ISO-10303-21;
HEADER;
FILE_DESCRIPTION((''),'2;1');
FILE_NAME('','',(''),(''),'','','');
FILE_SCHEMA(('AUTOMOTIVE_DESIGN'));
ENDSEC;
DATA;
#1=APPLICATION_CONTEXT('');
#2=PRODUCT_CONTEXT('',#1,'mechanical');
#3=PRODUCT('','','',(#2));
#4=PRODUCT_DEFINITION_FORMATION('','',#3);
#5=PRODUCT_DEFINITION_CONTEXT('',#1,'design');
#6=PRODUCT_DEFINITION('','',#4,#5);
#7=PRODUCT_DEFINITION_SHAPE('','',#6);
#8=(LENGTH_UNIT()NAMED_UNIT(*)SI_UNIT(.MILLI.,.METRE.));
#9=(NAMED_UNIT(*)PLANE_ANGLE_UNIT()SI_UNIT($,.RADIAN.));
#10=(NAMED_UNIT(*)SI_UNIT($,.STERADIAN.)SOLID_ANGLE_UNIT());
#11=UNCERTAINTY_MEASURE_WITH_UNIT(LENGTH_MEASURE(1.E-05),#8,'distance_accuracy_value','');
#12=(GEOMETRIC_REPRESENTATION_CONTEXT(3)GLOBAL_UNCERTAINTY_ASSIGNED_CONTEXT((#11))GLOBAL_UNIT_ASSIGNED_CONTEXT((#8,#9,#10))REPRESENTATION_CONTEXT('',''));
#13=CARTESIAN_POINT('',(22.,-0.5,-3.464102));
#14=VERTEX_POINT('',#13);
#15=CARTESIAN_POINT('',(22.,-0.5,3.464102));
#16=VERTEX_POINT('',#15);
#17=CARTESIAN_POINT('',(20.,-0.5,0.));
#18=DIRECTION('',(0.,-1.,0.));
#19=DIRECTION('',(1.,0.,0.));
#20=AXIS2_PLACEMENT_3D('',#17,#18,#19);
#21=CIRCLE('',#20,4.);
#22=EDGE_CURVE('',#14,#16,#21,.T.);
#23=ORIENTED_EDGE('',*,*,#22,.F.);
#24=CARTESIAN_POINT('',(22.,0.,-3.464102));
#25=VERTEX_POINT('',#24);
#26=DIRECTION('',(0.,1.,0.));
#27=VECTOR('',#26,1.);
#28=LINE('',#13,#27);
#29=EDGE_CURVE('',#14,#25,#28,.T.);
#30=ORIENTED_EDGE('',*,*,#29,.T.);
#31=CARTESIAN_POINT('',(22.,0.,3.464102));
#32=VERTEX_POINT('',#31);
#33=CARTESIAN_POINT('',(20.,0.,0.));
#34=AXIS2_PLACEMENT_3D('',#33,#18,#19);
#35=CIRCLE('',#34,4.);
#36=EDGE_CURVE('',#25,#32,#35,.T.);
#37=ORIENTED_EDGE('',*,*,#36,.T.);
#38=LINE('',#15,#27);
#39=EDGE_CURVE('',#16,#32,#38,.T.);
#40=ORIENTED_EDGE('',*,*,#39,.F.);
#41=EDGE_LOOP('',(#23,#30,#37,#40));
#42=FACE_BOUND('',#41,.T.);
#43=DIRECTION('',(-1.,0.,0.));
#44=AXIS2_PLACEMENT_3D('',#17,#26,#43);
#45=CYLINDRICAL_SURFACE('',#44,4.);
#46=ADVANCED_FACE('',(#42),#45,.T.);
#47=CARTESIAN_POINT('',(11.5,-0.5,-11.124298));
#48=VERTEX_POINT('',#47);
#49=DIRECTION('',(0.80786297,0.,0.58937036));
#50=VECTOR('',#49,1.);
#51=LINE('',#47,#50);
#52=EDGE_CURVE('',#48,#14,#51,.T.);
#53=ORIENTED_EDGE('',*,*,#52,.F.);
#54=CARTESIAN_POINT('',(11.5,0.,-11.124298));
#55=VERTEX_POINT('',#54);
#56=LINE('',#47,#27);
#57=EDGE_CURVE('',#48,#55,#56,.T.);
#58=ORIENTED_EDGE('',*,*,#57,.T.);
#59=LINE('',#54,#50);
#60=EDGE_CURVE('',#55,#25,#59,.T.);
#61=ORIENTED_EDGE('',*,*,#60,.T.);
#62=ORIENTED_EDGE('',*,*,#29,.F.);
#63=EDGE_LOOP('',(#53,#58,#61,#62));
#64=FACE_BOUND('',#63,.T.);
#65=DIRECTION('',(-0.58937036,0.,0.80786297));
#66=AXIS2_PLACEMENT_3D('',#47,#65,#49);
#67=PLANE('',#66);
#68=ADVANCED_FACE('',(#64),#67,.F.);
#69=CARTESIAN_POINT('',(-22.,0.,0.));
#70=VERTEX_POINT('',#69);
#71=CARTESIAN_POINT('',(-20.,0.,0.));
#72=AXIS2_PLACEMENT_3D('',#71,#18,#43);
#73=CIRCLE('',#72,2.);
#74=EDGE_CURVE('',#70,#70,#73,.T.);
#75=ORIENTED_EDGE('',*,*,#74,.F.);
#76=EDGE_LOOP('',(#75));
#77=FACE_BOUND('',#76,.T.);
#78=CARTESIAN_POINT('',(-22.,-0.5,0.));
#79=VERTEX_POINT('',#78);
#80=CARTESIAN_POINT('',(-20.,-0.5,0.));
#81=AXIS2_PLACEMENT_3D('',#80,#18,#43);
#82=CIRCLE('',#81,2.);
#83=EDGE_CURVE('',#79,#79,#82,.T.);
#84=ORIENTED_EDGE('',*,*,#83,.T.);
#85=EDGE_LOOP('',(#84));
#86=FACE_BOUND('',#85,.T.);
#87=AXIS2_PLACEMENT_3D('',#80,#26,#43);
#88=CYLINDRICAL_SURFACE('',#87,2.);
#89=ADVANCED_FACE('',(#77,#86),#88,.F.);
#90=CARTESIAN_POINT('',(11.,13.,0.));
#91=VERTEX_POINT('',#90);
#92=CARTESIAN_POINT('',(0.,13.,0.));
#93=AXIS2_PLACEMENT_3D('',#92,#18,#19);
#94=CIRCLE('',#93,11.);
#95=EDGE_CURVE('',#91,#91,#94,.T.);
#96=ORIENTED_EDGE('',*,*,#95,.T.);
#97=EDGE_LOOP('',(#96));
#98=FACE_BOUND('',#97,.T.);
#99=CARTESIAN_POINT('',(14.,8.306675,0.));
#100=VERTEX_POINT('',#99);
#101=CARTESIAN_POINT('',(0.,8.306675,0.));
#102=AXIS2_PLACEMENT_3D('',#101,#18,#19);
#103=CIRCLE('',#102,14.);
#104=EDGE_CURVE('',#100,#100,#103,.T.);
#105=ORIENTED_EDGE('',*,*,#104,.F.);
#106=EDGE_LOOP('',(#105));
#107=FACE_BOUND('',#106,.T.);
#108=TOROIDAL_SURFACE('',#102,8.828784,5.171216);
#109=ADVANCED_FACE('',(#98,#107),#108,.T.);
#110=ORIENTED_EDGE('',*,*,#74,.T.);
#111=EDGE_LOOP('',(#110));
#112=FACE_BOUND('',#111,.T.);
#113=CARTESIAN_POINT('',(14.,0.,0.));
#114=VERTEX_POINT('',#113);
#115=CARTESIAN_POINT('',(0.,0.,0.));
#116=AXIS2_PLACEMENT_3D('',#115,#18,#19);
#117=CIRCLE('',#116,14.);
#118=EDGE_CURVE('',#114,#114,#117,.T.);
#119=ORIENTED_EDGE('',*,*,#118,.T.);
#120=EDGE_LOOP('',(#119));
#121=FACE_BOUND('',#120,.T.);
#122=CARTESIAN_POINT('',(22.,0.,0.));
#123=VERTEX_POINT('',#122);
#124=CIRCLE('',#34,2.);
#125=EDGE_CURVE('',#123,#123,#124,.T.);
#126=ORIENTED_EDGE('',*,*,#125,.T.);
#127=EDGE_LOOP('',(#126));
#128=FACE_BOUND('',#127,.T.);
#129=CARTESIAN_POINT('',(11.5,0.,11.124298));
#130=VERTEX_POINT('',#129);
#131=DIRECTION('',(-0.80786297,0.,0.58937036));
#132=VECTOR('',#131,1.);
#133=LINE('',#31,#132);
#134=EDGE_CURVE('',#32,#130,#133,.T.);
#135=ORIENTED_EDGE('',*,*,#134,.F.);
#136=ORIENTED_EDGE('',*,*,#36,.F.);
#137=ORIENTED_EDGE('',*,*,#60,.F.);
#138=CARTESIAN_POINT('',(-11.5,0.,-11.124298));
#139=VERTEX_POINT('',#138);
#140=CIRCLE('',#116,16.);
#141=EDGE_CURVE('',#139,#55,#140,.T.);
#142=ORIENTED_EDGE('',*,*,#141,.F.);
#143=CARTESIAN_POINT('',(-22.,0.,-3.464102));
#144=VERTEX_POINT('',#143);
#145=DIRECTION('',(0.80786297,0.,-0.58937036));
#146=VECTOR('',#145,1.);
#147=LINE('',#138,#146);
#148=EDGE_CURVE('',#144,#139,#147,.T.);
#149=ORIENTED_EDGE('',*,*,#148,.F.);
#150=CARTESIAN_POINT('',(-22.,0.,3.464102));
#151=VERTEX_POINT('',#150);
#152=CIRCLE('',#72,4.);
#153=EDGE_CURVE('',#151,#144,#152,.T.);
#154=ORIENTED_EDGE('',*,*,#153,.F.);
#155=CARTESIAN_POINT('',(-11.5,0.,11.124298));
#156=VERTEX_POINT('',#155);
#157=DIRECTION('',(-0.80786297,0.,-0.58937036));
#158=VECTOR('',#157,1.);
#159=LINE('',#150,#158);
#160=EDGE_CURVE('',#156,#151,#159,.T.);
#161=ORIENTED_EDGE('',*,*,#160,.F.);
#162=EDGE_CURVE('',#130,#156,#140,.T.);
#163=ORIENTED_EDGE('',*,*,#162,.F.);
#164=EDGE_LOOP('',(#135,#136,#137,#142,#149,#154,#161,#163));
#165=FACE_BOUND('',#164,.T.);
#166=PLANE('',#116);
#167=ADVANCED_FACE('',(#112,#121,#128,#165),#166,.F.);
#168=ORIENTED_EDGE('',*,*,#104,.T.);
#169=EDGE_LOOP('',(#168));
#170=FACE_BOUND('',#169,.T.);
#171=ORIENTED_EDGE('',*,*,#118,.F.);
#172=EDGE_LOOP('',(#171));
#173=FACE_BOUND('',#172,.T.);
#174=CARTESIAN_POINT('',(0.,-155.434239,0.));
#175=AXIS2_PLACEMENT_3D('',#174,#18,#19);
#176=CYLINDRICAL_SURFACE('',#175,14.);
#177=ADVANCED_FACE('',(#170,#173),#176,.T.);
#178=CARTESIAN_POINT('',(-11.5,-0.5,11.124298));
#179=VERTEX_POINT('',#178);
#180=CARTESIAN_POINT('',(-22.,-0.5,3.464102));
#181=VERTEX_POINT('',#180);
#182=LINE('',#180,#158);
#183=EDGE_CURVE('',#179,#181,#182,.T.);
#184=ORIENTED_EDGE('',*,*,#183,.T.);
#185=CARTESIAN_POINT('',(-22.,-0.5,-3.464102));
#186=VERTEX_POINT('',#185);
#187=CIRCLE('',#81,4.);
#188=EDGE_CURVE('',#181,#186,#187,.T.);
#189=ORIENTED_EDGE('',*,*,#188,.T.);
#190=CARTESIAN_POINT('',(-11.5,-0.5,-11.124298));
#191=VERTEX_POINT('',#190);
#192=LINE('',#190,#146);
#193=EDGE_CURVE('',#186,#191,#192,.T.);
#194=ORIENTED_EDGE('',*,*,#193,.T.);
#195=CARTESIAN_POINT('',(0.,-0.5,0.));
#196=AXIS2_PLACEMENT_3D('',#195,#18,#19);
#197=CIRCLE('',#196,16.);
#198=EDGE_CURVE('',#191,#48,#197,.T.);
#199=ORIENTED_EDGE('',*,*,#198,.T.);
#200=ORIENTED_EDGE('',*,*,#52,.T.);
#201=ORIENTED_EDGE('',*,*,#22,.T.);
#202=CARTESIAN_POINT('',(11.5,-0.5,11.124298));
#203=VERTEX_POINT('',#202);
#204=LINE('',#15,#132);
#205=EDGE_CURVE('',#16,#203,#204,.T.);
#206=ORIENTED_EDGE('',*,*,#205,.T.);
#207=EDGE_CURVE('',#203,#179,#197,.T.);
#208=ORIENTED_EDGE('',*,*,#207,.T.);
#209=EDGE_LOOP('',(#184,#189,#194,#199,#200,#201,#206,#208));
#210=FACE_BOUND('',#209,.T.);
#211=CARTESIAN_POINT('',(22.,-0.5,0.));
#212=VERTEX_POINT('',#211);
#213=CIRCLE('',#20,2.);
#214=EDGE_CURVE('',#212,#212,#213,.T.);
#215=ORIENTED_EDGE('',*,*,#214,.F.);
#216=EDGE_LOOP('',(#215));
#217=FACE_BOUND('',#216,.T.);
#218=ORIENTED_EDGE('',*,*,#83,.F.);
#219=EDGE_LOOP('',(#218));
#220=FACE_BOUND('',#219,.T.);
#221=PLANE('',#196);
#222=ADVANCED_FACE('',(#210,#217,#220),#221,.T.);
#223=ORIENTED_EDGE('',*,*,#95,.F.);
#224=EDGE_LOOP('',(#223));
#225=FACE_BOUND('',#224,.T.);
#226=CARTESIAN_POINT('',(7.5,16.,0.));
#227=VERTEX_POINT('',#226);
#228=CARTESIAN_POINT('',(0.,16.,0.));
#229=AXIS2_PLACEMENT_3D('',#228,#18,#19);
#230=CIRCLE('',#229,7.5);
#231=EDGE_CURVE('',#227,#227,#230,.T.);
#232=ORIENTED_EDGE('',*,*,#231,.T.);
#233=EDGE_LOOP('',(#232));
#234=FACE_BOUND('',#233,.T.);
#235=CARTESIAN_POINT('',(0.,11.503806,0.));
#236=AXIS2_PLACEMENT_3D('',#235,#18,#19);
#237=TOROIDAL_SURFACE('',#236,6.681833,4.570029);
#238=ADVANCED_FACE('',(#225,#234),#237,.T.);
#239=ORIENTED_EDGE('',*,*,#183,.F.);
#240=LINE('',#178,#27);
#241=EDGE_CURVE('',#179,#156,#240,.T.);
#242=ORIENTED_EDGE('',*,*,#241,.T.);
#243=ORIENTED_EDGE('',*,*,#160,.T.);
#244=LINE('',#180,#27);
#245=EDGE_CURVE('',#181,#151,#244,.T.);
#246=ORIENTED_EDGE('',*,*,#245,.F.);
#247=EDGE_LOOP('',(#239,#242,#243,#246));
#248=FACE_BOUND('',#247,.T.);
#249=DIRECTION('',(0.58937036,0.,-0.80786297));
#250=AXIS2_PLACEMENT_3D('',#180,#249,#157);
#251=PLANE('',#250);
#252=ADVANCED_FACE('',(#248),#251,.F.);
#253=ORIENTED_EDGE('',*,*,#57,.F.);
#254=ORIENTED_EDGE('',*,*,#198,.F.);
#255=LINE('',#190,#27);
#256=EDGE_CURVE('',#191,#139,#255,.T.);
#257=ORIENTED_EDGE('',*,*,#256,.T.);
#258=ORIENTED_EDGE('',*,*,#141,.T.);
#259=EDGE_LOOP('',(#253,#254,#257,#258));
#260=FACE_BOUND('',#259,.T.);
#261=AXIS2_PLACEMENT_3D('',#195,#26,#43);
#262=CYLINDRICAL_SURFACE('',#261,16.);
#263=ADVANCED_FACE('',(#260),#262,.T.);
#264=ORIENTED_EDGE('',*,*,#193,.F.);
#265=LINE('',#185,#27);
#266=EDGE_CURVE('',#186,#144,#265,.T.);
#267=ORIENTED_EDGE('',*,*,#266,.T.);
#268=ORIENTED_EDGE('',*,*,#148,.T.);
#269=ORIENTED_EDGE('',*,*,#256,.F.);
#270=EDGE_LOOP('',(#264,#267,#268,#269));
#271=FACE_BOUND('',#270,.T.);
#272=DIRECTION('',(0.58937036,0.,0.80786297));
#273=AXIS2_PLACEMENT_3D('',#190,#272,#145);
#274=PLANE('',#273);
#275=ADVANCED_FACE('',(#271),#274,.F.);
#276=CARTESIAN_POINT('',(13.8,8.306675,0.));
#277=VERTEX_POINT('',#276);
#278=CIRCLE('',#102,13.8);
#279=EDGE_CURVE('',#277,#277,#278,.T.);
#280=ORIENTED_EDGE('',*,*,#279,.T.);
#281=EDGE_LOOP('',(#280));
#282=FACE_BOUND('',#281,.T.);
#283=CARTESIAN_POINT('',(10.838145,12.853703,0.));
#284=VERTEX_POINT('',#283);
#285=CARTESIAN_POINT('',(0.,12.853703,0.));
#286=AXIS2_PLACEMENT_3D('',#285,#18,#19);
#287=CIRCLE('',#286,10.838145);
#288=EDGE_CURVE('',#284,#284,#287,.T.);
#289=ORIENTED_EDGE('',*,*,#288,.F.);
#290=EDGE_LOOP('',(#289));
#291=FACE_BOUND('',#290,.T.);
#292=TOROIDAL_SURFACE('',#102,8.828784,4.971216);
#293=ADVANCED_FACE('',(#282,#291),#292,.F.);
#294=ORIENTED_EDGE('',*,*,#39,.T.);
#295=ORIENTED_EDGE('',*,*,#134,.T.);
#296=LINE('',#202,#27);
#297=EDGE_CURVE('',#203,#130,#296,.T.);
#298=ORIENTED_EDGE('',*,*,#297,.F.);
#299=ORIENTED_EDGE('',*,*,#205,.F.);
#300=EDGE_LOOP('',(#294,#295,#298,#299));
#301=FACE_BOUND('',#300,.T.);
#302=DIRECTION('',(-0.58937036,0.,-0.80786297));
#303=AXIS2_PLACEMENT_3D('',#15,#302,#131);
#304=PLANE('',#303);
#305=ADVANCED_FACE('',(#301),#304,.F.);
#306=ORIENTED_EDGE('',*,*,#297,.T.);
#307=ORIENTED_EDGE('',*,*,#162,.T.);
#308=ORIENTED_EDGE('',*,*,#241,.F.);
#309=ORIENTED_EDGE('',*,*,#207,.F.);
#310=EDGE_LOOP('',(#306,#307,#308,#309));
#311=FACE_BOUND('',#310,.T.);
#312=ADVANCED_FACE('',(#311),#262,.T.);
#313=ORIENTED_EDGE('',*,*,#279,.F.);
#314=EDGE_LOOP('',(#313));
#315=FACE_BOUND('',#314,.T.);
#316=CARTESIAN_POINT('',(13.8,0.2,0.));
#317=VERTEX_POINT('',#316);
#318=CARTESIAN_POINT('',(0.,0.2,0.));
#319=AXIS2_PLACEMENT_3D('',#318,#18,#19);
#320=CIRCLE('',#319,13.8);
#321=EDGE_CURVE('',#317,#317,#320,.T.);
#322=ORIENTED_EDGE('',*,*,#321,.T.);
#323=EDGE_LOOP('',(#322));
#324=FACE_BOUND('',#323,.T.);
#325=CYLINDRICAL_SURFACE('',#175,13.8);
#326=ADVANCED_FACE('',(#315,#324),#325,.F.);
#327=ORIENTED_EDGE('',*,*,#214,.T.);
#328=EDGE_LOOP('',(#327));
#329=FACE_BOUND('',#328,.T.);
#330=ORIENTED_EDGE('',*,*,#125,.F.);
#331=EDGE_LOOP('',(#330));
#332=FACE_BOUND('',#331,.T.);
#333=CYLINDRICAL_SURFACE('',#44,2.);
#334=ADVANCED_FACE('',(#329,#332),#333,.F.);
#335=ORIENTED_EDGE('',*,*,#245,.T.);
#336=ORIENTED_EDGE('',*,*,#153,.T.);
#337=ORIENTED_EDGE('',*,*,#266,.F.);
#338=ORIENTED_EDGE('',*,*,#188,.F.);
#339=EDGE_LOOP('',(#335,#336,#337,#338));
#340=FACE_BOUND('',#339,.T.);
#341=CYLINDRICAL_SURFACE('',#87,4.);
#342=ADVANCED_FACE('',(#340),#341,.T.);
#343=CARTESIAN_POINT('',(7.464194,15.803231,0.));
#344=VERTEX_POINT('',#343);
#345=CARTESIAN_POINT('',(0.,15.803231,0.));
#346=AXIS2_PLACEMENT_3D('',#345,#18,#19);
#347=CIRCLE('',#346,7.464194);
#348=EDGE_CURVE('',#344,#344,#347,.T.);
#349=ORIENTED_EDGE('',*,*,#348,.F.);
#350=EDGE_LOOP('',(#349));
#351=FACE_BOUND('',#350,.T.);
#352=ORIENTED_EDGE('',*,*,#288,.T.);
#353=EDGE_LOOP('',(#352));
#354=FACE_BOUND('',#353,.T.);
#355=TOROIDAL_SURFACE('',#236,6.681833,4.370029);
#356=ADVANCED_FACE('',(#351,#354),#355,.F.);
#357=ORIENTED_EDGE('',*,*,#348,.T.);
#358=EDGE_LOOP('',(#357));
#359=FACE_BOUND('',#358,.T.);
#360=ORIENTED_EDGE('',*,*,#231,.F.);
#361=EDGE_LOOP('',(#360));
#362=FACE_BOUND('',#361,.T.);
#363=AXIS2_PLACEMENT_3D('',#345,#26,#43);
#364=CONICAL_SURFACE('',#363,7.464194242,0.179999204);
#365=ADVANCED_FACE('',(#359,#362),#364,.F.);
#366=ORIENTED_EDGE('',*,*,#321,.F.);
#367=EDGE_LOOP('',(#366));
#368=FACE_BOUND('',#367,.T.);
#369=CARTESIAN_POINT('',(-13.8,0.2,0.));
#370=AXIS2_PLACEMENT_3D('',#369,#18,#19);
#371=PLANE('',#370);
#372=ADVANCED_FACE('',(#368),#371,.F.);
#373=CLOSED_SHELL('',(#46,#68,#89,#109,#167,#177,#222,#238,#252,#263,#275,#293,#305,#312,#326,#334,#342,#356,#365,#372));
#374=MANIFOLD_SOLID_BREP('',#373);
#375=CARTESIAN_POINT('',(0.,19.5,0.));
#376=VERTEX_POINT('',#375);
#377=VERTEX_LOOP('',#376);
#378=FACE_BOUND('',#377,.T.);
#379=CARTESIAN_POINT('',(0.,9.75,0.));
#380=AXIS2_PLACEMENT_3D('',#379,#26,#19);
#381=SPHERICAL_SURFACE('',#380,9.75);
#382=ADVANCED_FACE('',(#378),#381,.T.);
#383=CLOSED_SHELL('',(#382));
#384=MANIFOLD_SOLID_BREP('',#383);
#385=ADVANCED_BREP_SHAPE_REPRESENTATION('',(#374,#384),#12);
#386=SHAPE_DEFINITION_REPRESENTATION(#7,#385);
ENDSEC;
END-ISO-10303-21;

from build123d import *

# Parameters (mm, degrees)
CROQUIS2_R              = 2
SALIENTE_EXTRUIR1_DEPTH = 0.5


with BuildPart() as part:
    # Croquis1 → Revolución1 (revolve)
    with BuildSketch(Plane.XY):
        with BuildLine():
            Line((-14, 0), (-14, 8.306675448))
            ThreePointArc((-14, 8.306675448), (-13.185921926, 11.091782957), (-11, 13))
            ThreePointArc((-11, 13), (-9.655968502, 14.97362992), (-7.5, 16))
            Line((-7.5, 16), (-7.464194242, 15.803231233))
            ThreePointArc((-7.464194242, 15.803231233), (-9.558037747, 14.793881218), (-10.838145134, 12.853702577))
            ThreePointArc((-10.838145134, 12.853702577), (-12.994234558, 11.019977862), (-13.8, 8.306675448))
            Line((-13.8, 8.306675448), (-13.8, 0.2))
            Line((-13.8, 0.2), (0, 0.2))
            Line((0, 0.2), (0, 0))
            Line((0, 0), (-14, 0))
        make_face()
    revolve(axis=Axis((0, -155.434238591, 0), (0, 1, 0)))

    # Croquis2 → Saliente-Extruir1 (add)
    with BuildSketch(Plane.XZ):
        with BuildLine():
            Line((-11.5, -11.124297731), (-22, -3.464101615))
            ThreePointArc((-22, -3.464101615), (-24, 0), (-22, 3.464101615))
            Line((-22, 3.464101615), (-11.5, 11.124297731))
            ThreePointArc((-11.5, 11.124297731), (0, 16), (11.5, 11.124297731))
            Line((11.5, 11.124297731), (22, 3.464101615))
            ThreePointArc((22, 3.464101615), (24, 0), (22, -3.464101615))
            Line((22, -3.464101615), (11.5, -11.124297731))
            ThreePointArc((11.5, -11.124297731), (0, -16), (-11.5, -11.124297731))
        make_face()
        with Locations((-20, 0)):
            Circle(CROQUIS2_R, mode=Mode.SUBTRACT)
        with Locations((20, 0)):
            Circle(CROQUIS2_R, mode=Mode.SUBTRACT)
    extrude(amount=SALIENTE_EXTRUIR1_DEPTH)


with BuildPart() as body_2:
    # Croquis4 → Revolución2 (revolve)
    with BuildSketch(Plane.XY):
        with BuildLine():
            Line((0, 19.5), (0, 0))
            ThreePointArc((0, 0), (-9.75, 9.75), (0, 19.5))
        make_face()
    revolve(axis=Axis((0, 19.5, 0), (0, -1, 0)))


solid = Compound([part.part, body_2.part])
